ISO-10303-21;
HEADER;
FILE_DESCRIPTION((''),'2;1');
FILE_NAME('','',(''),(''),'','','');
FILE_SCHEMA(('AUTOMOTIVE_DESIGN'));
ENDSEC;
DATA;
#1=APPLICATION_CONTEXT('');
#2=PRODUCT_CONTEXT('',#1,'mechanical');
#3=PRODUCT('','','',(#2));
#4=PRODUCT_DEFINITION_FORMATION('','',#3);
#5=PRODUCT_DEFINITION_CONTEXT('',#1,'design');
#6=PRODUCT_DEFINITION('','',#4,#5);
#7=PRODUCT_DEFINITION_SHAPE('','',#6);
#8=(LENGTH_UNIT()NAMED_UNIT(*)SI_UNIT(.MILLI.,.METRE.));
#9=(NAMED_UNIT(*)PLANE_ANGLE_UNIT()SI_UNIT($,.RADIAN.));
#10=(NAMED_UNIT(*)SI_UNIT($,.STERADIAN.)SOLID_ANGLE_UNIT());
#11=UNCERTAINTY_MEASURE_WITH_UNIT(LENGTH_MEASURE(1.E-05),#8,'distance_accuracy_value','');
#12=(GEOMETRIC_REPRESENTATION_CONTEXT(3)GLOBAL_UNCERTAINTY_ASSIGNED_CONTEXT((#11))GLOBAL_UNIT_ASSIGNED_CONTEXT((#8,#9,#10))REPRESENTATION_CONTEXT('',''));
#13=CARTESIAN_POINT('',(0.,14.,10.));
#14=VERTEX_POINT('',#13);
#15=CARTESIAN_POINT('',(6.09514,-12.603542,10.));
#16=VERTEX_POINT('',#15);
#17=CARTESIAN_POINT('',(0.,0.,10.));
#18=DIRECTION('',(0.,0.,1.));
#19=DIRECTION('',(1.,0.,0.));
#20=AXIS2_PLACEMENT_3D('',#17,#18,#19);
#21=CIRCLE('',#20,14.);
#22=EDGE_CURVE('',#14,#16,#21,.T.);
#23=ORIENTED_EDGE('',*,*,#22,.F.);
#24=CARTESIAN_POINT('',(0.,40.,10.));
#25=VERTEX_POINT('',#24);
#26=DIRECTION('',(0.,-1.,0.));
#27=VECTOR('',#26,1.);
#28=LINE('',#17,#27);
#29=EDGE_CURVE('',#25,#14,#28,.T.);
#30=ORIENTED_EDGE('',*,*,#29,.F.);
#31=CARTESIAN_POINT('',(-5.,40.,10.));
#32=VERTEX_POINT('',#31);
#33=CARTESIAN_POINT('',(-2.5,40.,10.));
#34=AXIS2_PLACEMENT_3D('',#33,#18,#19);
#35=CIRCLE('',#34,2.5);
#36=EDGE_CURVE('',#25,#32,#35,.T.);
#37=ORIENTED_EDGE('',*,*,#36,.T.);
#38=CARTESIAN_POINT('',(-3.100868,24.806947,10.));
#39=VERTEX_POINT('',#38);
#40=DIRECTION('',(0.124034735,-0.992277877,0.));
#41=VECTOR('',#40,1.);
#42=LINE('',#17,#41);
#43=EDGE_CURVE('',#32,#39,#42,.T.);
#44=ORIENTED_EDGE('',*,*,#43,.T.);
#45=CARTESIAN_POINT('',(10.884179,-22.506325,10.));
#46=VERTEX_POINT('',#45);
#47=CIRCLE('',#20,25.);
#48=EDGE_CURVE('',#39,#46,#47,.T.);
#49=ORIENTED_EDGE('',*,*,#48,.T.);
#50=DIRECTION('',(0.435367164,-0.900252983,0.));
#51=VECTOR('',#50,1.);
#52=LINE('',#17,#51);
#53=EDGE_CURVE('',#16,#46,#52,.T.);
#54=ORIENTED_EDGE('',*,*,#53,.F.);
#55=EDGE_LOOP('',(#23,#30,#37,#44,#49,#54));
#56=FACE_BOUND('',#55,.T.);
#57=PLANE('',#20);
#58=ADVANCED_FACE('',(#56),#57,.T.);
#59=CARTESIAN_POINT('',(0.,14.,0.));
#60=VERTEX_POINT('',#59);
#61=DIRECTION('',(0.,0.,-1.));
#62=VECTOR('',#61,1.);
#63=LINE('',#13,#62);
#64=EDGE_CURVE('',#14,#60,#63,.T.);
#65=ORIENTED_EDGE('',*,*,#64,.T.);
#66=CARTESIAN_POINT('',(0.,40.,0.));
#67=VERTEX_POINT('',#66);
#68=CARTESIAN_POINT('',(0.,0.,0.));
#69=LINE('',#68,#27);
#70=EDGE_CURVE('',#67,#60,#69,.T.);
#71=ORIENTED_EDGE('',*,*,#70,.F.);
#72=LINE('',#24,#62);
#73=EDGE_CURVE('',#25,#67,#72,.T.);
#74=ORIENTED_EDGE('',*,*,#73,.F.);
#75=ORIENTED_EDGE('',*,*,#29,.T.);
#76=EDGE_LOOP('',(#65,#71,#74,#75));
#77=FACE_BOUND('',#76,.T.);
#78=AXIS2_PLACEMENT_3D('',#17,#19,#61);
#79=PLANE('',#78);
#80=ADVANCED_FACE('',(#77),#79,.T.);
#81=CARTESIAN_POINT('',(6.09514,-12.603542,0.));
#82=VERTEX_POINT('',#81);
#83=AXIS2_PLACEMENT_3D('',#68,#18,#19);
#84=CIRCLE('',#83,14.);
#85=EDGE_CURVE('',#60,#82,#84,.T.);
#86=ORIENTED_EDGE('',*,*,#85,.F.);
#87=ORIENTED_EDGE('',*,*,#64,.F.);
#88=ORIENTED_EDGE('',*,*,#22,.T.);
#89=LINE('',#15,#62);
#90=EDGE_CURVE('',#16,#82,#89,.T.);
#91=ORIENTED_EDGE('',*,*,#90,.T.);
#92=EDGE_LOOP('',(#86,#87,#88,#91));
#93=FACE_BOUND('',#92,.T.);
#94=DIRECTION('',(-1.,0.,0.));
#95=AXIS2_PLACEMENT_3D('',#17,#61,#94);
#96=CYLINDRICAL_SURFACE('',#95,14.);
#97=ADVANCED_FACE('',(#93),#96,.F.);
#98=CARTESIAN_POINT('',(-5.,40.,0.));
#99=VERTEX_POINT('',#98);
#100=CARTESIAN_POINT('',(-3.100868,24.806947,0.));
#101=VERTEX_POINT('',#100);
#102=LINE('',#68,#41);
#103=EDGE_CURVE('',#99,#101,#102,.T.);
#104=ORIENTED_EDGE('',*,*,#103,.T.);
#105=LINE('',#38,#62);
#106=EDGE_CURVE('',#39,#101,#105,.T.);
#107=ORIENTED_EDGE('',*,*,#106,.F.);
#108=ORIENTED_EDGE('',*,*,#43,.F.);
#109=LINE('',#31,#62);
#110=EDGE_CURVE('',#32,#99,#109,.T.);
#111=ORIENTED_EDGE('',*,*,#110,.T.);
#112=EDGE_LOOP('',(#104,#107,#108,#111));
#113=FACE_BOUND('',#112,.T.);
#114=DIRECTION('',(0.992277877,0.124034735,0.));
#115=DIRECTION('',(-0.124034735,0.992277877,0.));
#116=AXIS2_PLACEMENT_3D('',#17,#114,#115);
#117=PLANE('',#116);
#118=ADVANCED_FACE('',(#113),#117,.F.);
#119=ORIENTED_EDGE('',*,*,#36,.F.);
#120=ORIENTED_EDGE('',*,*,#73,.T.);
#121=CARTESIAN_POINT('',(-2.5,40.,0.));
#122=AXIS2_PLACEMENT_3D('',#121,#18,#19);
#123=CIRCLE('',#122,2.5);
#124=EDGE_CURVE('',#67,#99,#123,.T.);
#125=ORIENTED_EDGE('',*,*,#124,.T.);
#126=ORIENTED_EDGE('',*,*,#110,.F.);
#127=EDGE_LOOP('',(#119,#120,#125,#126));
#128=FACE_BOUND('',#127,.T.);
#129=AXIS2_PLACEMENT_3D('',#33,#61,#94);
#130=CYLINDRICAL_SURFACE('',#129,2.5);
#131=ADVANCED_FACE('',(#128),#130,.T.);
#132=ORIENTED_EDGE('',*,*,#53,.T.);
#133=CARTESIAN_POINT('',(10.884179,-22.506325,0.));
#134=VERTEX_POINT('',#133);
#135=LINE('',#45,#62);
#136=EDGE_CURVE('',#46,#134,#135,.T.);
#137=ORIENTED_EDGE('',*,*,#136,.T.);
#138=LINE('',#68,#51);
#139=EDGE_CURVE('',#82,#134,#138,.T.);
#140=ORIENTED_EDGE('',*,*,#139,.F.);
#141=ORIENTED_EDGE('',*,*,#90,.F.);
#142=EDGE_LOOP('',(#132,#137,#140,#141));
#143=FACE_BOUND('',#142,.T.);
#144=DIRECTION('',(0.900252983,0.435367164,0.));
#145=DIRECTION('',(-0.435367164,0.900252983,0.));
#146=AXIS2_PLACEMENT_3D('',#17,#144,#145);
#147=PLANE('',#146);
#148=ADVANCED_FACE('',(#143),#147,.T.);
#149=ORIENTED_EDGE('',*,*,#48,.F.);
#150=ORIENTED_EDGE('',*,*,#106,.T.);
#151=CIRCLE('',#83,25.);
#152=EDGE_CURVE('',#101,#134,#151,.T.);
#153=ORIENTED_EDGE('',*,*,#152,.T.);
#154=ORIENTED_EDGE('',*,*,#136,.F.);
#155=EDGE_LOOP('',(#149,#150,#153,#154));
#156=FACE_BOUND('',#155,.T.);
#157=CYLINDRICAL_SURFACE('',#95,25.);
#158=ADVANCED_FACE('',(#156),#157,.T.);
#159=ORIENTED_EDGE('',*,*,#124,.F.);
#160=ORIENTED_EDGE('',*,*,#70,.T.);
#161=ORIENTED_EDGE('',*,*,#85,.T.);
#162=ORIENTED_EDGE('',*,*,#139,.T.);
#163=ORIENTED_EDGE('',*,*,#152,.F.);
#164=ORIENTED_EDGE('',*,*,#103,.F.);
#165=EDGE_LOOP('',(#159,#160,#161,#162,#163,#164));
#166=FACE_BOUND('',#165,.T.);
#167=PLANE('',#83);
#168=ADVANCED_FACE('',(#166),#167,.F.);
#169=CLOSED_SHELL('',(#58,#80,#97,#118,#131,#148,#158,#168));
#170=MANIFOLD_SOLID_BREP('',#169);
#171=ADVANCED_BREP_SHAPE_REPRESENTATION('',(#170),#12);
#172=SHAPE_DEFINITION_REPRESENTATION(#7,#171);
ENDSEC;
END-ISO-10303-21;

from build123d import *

# Parameters (mm, degrees)
RESSALTO_EXTRUS_O1_DEPTH = 10


with BuildPart() as part:
    # Esboço1 → Ressalto-extrusão1 (new body)
    with BuildSketch(Plane.XY):
        with BuildLine():
            Line((0, 14), (0, 20))
            Line((0, 20), (0, 40))
            ThreePointArc((0, 40), (-2.5, 42.5), (-5, 40))
            Line((-5, 40), (-4.923076923, 39.384615385))
            Line((-4.923076923, 39.384615385), (-3.100868365, 24.806946918))
            ThreePointArc((-3.100868365, 24.806946918), (-23.974598976, -7.086508587), (10.8841791, -22.506324563))
            Line((10.8841791, -22.506324563), (6.095140296, -12.603541755))
            ThreePointArc((6.095140296, -12.603541755), (-13.646420494, -3.126532858), (0, 14))
        make_face()
    extrude(amount=RESSALTO_EXTRUS_O1_DEPTH)


solid = part.part
